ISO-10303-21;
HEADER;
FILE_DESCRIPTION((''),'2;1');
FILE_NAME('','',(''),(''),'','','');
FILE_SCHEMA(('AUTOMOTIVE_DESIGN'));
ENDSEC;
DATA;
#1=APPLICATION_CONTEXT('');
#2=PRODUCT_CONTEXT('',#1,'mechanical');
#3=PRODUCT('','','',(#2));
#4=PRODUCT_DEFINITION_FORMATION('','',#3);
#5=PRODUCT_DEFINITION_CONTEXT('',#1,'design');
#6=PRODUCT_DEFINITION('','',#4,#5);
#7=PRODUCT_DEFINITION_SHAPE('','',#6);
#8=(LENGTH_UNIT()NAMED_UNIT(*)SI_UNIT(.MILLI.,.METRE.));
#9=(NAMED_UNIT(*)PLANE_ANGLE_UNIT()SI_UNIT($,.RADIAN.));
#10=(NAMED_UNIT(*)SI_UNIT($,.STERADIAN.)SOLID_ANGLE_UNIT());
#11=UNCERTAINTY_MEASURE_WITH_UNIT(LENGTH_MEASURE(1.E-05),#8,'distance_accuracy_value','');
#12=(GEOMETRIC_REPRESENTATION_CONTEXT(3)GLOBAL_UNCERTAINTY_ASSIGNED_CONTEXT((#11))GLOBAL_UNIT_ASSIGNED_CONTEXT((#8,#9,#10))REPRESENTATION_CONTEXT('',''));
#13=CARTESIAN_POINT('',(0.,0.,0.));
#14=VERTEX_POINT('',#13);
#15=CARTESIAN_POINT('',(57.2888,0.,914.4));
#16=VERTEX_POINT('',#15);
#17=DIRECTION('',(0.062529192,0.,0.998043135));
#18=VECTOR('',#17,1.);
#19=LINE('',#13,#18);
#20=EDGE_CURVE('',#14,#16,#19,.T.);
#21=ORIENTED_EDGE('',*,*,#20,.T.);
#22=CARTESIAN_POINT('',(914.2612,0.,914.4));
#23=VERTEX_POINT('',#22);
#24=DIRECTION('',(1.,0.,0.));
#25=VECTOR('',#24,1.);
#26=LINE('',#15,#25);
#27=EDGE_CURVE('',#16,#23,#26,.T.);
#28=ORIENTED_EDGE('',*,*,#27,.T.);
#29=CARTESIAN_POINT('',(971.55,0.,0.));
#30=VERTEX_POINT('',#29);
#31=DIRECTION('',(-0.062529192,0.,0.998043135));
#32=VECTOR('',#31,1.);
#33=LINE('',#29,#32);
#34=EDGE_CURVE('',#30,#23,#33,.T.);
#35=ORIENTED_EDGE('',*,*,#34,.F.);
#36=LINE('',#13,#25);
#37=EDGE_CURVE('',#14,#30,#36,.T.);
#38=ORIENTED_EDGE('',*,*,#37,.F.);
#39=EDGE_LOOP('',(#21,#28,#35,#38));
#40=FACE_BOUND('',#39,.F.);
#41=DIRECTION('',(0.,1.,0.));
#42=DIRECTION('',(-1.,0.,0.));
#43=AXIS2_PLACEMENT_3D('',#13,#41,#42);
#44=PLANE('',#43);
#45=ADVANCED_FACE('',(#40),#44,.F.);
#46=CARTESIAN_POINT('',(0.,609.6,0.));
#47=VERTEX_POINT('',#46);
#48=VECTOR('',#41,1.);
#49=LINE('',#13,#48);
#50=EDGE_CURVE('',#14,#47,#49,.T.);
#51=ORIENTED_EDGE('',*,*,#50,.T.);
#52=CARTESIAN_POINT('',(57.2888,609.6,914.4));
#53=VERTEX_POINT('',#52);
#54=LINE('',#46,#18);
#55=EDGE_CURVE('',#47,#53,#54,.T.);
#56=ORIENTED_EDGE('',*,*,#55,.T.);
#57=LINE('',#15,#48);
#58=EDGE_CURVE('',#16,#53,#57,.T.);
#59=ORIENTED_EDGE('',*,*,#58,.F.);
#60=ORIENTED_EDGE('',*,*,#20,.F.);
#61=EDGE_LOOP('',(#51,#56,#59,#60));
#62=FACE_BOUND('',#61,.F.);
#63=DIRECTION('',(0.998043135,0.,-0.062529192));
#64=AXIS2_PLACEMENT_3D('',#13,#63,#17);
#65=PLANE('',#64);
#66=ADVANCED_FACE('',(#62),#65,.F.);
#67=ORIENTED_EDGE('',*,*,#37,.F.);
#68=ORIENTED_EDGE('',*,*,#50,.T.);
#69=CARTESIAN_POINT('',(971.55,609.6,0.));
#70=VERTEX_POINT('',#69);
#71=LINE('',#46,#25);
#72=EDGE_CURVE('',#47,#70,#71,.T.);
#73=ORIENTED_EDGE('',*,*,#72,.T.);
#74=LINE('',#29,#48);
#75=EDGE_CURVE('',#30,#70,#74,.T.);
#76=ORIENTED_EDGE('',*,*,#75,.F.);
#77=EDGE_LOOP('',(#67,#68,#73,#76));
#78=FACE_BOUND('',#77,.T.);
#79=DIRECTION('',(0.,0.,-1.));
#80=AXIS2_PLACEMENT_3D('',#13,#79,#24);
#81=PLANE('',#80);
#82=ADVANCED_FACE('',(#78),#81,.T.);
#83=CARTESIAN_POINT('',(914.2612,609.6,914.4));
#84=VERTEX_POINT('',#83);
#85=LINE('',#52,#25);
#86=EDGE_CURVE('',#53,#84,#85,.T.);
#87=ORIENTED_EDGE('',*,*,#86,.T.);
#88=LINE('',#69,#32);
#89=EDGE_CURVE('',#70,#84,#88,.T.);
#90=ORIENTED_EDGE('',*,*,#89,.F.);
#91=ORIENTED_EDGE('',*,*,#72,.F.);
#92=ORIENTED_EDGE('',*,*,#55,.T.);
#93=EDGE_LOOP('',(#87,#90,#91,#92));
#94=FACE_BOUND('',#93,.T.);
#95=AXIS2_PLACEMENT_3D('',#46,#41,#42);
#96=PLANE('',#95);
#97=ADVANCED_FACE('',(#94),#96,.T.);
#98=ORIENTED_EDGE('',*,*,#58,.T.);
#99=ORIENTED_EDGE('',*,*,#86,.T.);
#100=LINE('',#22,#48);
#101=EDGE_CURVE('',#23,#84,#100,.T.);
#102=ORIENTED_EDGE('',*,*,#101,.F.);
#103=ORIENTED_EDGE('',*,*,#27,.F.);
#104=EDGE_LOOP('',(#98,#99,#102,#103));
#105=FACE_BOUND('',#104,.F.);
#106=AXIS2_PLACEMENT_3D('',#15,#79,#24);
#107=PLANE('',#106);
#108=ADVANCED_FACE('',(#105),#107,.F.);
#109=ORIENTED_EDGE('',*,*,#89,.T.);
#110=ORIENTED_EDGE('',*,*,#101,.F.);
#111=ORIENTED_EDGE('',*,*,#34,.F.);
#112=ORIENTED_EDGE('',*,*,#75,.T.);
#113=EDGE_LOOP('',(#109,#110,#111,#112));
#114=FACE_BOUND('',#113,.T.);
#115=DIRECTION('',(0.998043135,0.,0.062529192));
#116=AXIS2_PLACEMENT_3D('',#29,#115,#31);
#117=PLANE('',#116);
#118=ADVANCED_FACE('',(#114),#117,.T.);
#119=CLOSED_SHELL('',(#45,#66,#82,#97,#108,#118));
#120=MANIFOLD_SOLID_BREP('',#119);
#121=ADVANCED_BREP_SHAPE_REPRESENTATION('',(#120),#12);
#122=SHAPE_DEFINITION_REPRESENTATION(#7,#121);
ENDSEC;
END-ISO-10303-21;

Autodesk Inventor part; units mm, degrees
ref_plane "YZ Plane" through (0, 0, 0) normal (1, 0, 0) x (0, 1, 0)
ref_plane "XZ Plane" through (0, 0, 0) normal (0, 1, 0) x (-1, 0, 0)
ref_plane "XY Plane" through (0, 0, 0) normal (0, 0, 1) x (1, 0, 0)
sketch "Sketch1" plane through (0, 0, 0) normal (0, 1, 0) x (-1, 0, 0)
  line L0 (0, 0) -> (-971.55, 0)
  line L1 (-57.2888, 914.4) -> (-914.2612, 914.4)
  line L2 (0, 0) -> (-57.2888, 914.4)
  line L3 (-971.55, 0) -> (-914.2612, 914.4)
  line L4 (-485.775, 0) -> (-485.775, 914.4) construction
  dimension "d0" = 971.55
  dimension "d2" = 914.4
  dimension "d3" = 7.17
  dimension "d4" = 57.2888
  dimension "d5" = 57.2888
extrude "Extrusion1" add sketch "Sketch1" along normal blind 609.6
properties part number "E1" material "Granite, Cut, Polished"
